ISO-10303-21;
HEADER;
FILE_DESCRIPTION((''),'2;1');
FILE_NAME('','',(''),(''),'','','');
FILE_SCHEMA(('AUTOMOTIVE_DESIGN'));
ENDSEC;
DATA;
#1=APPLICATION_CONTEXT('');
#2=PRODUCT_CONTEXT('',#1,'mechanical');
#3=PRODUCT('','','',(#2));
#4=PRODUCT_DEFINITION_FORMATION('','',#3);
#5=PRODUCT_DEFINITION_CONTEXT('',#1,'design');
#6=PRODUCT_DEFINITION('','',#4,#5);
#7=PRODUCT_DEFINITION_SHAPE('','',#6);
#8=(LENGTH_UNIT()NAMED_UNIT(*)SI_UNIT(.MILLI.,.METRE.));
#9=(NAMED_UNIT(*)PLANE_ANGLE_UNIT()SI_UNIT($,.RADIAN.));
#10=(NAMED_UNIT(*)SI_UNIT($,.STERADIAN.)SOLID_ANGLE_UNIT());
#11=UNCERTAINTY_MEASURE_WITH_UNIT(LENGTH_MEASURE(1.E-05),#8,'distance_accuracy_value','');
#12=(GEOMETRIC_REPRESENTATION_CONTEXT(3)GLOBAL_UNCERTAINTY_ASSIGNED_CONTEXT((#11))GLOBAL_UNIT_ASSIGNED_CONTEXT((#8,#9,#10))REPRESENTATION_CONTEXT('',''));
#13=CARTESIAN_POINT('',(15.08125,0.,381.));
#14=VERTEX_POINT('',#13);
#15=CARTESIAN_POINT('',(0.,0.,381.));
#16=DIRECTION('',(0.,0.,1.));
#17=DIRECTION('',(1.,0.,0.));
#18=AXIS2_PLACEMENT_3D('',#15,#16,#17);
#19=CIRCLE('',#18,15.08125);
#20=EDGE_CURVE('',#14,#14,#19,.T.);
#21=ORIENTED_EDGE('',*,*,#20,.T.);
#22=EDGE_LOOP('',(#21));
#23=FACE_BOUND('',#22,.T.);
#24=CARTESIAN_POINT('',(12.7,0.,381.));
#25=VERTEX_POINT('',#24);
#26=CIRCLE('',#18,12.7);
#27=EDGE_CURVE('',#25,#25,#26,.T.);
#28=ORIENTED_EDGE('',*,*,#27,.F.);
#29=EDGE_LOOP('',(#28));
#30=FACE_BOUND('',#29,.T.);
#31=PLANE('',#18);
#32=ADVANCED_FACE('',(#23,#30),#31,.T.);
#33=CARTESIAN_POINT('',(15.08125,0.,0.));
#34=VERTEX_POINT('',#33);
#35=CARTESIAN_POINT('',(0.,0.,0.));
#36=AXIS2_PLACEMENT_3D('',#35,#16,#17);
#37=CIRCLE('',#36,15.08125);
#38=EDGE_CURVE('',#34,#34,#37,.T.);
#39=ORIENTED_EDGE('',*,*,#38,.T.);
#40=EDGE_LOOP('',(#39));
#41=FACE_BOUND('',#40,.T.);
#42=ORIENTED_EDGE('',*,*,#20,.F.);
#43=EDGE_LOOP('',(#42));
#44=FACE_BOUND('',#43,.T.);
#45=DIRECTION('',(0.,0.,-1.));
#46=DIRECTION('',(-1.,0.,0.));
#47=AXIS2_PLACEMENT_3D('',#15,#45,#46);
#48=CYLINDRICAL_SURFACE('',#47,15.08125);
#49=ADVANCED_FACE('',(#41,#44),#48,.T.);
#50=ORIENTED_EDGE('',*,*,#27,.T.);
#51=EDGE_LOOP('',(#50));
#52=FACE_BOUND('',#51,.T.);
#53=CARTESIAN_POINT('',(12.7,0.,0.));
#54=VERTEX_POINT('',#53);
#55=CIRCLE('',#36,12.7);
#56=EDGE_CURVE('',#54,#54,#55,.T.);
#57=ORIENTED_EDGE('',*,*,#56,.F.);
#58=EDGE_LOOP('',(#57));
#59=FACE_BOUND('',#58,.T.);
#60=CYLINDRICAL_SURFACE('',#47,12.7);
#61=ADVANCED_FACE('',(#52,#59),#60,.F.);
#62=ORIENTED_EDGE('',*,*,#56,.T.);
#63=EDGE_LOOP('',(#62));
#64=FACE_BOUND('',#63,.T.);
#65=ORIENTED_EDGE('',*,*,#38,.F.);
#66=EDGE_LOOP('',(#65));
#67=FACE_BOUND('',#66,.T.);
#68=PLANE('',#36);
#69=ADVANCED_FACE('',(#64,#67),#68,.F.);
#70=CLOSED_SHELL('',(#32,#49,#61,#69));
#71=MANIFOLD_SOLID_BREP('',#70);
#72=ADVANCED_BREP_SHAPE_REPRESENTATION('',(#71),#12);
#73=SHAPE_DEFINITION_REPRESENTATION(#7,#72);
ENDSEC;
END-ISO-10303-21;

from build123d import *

# Parameters (mm, degrees)
SKETCH1_R           = 15.08125
SKETCH1_R_2         = 12.7
BOSS_EXTRUDE1_DEPTH = 381


with BuildPart() as part:
    # Sketch1 → Boss-Extrude1 (new body)
    with BuildSketch(Plane.XY):
        Circle(SKETCH1_R)
        Circle(SKETCH1_R_2, mode=Mode.SUBTRACT)
    extrude(amount=BOSS_EXTRUDE1_DEPTH)


solid = part.part
